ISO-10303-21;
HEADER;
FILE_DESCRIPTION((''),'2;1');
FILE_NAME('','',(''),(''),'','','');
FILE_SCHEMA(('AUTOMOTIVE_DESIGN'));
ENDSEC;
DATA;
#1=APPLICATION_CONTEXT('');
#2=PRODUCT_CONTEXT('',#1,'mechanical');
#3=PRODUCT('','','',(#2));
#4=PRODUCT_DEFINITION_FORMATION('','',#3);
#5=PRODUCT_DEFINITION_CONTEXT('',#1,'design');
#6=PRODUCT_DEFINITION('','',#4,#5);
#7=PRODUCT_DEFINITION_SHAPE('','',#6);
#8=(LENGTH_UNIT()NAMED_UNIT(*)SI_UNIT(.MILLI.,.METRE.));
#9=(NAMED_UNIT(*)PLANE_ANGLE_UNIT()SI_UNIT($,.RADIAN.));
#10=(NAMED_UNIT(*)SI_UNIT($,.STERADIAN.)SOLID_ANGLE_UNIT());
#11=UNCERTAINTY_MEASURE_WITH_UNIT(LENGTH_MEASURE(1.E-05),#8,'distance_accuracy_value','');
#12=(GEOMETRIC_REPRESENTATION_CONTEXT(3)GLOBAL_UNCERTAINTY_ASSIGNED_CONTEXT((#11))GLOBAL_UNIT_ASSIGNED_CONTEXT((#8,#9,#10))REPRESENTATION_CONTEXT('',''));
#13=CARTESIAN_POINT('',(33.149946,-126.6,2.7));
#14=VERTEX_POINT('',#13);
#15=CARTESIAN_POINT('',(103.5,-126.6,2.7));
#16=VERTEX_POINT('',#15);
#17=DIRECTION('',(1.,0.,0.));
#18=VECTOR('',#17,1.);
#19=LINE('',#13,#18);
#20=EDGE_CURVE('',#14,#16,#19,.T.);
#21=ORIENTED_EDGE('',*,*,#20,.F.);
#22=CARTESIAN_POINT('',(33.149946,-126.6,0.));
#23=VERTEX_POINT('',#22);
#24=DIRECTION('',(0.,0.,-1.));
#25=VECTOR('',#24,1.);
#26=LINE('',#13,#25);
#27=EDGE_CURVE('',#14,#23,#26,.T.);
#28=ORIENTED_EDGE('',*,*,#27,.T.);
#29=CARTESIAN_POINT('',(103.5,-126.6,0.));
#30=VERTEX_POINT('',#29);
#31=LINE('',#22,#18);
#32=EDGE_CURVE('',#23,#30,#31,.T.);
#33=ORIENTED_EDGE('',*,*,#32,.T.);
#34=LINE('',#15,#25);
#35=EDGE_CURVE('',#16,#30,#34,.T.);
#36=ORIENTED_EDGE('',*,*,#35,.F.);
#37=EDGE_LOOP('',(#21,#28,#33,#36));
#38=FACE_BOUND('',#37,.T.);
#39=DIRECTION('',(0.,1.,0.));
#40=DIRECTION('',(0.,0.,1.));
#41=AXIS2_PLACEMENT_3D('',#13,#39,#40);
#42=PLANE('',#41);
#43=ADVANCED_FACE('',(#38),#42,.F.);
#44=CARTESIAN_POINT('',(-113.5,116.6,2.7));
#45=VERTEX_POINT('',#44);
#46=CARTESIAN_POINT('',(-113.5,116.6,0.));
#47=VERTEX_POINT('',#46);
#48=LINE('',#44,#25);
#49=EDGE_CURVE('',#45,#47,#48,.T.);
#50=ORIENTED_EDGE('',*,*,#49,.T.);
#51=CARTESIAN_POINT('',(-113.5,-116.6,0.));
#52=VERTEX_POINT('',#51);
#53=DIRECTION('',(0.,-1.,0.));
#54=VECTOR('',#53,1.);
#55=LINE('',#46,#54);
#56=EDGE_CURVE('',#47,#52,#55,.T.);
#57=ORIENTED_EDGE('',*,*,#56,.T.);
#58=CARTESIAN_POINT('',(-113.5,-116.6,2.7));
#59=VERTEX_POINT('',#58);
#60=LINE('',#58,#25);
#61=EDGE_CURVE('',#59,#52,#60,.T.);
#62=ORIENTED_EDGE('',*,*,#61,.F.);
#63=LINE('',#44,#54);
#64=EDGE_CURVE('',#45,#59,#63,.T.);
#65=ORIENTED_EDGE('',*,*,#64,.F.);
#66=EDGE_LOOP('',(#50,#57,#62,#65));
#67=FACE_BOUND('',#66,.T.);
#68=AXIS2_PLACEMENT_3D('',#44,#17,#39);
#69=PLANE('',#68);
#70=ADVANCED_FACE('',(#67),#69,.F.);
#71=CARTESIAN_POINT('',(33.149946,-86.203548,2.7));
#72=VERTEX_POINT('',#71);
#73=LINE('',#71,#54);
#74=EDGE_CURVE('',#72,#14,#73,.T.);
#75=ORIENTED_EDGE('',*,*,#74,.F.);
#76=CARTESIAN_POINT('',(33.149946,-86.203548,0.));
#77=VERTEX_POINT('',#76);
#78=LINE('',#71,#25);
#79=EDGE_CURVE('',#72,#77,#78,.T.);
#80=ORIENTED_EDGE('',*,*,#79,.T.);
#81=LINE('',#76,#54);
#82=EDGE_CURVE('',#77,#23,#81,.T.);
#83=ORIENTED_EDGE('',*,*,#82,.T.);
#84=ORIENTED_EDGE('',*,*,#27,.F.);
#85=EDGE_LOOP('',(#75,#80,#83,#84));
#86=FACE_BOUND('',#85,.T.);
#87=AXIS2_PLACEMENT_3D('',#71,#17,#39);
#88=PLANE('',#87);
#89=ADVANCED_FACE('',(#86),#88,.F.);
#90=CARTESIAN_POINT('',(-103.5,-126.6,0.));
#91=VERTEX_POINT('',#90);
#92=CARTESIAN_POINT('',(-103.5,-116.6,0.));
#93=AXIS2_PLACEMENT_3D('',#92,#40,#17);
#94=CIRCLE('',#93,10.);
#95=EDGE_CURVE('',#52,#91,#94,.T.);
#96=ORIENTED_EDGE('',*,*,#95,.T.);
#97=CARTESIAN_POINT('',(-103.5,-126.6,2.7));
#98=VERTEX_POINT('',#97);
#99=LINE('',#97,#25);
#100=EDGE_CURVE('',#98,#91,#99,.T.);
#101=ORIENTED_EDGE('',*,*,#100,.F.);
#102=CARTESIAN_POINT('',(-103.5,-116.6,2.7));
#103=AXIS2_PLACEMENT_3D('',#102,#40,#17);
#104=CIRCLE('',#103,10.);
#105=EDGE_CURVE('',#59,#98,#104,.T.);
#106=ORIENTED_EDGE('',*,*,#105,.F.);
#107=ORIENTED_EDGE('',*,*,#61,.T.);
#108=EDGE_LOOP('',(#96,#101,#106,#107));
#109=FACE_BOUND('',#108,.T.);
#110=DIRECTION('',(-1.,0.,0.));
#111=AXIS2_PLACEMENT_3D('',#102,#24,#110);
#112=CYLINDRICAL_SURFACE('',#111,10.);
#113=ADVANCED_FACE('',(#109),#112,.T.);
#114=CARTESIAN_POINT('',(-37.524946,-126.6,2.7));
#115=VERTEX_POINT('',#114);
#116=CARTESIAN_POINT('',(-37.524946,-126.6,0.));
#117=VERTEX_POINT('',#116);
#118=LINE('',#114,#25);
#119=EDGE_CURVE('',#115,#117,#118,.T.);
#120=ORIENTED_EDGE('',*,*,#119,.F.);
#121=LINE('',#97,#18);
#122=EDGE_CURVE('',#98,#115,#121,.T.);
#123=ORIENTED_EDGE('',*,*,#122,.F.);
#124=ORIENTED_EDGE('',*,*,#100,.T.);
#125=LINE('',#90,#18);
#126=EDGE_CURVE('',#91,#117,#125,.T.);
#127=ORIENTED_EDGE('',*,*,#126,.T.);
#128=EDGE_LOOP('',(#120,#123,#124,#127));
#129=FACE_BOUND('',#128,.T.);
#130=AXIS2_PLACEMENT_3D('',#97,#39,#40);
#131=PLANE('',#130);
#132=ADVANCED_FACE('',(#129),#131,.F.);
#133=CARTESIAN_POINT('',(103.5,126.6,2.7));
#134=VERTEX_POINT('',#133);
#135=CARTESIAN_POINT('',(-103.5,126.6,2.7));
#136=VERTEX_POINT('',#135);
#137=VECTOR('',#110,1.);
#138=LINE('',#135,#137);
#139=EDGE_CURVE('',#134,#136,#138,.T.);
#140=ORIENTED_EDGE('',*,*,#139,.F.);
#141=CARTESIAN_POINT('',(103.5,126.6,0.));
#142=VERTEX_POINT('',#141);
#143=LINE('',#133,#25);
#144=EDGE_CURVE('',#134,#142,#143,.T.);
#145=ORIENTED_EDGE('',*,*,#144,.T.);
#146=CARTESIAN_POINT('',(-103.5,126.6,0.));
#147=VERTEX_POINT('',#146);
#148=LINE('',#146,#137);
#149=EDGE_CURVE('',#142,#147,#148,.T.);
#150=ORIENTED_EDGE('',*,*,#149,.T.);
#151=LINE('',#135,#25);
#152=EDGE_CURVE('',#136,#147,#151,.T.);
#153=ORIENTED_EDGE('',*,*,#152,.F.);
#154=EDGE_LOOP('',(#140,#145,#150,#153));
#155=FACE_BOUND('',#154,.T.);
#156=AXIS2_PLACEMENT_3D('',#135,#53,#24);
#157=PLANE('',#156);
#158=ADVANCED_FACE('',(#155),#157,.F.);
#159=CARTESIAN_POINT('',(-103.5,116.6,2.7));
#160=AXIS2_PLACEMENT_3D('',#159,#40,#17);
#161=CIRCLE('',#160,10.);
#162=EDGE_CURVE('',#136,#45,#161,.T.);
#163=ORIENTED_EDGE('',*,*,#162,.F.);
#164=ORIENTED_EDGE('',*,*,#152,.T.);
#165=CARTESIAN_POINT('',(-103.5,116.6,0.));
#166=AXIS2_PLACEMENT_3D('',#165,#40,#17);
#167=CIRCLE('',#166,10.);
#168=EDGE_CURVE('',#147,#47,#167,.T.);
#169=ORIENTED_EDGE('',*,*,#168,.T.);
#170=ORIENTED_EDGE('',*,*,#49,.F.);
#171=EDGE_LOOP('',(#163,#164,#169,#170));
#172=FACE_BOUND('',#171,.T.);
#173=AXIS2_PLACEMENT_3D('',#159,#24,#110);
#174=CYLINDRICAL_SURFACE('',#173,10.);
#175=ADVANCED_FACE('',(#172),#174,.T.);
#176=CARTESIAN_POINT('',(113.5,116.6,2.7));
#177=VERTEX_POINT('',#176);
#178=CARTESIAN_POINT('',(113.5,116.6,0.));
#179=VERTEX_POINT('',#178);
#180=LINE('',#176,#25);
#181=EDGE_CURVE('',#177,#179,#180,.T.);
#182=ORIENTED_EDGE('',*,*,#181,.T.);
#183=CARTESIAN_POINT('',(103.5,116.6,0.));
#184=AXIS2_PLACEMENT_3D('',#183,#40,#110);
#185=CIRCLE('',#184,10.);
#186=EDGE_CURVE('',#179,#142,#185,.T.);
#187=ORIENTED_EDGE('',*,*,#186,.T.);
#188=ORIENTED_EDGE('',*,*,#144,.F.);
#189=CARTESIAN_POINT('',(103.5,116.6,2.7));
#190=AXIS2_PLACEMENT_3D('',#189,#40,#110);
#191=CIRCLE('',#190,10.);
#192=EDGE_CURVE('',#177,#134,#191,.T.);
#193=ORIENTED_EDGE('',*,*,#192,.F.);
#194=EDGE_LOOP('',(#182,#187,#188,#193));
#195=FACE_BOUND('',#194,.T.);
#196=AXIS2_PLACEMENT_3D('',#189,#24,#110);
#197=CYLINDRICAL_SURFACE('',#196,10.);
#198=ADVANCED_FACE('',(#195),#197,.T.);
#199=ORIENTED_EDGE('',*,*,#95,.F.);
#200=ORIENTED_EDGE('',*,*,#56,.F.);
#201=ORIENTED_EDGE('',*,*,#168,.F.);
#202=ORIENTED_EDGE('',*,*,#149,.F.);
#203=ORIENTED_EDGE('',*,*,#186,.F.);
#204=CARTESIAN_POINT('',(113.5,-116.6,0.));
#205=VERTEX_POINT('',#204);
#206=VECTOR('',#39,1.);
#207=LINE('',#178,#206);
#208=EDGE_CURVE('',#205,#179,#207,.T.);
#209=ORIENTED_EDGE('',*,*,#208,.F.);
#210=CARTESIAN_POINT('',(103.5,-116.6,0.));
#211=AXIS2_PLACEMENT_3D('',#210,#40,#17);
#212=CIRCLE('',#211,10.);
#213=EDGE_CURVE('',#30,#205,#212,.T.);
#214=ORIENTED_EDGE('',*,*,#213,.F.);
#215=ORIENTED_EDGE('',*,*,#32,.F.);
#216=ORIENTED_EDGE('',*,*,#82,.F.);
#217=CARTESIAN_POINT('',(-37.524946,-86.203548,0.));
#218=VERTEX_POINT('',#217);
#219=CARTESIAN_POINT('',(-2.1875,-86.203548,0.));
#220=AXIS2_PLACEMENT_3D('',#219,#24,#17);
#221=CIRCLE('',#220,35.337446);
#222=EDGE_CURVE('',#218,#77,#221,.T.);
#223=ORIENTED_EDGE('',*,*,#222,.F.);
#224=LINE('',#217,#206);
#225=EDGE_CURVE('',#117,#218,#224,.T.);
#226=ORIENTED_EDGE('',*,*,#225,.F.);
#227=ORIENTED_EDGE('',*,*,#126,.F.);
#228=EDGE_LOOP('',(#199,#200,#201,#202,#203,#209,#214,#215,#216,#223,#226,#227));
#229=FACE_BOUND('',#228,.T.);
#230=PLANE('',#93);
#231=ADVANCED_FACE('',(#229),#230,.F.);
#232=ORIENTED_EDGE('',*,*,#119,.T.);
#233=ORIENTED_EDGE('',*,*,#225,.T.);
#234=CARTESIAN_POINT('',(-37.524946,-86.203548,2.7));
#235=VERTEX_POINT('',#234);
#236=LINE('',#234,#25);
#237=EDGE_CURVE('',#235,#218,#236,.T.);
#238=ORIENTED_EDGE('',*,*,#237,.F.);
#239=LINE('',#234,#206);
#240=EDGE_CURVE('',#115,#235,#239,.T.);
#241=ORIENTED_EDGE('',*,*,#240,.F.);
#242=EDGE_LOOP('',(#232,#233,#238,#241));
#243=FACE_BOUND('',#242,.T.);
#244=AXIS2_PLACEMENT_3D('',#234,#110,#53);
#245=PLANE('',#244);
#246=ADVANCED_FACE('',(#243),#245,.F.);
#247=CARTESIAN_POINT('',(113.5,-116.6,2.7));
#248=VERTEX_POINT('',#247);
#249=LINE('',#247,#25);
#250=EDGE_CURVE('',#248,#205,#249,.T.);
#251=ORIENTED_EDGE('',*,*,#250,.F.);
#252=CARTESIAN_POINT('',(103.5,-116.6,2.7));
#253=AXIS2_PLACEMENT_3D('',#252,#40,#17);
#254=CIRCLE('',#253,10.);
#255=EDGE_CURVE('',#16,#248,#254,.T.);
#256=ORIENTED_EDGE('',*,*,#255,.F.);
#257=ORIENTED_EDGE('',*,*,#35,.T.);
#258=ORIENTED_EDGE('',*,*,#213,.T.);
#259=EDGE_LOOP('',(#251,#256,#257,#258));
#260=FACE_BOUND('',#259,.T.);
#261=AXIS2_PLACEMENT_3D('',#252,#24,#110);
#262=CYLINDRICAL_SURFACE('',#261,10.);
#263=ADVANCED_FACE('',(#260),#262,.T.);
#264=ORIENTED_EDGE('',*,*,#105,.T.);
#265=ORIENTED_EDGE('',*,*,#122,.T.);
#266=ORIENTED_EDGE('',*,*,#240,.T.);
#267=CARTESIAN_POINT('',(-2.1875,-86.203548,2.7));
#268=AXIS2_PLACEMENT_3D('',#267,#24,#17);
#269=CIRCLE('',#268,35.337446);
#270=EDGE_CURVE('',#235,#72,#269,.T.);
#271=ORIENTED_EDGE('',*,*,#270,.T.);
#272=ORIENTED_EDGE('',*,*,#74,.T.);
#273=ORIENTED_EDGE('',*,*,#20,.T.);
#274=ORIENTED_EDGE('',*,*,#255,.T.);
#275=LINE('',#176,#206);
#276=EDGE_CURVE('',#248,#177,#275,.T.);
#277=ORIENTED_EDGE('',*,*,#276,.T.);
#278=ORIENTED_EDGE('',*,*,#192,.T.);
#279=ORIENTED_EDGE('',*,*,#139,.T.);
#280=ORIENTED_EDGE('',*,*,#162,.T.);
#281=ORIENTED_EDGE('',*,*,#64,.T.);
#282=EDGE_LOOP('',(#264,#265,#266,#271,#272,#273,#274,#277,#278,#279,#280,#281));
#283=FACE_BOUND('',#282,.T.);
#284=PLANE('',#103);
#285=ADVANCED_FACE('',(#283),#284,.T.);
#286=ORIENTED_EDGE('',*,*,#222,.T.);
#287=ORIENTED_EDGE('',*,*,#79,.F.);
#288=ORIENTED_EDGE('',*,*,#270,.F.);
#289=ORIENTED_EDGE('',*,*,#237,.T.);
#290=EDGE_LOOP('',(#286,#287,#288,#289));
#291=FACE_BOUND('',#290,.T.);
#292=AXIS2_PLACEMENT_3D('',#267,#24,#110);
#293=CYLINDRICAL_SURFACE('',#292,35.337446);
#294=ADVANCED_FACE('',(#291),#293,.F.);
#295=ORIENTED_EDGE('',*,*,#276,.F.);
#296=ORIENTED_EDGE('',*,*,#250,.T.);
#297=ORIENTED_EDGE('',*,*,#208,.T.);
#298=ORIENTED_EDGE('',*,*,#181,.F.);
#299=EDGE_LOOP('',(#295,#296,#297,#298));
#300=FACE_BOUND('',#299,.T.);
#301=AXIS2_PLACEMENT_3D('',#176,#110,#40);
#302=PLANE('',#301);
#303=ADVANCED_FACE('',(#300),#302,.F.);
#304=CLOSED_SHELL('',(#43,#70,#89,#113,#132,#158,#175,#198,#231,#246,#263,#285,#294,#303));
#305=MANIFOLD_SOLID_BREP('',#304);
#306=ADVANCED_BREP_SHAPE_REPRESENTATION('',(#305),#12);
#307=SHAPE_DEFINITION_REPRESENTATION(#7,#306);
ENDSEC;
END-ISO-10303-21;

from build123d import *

# Parameters (mm, degrees)
BOSS_EXTRUDE1_DEPTH = 2.7


with BuildPart() as part:
    # Sketch1 → Boss-Extrude1 (new body)
    with BuildSketch(Plane.XY):
        with BuildLine():
            Line((-103.5, 126.6), (103.5, 126.6))
            ThreePointArc((103.5, 126.6), (110.571067812, 123.671067812), (113.5, 116.6))
            Line((113.5, 116.6), (113.5, -116.6))
            ThreePointArc((113.5, -116.6), (110.571067812, -123.671067812), (103.5, -126.6))
            Line((103.5, -126.6), (33.149945785, -126.6))
            Line((33.149945785, -126.6), (33.149945785, -86.203548192))
            ThreePointArc((33.149945785, -86.203548192), (-2.1875, -50.866102407), (-37.524945785, -86.203548192))
            Line((-37.524945785, -86.203548192), (-37.524945785, -126.6))
            Line((-37.524945785, -126.6), (-103.5, -126.6))
            ThreePointArc((-103.5, -126.6), (-110.571067812, -123.671067812), (-113.5, -116.6))
            Line((-113.5, -116.6), (-113.5, 116.6))
            ThreePointArc((-113.5, 116.6), (-110.571067812, 123.671067812), (-103.5, 126.6))
        make_face()
    extrude(amount=BOSS_EXTRUDE1_DEPTH)


solid = part.part
